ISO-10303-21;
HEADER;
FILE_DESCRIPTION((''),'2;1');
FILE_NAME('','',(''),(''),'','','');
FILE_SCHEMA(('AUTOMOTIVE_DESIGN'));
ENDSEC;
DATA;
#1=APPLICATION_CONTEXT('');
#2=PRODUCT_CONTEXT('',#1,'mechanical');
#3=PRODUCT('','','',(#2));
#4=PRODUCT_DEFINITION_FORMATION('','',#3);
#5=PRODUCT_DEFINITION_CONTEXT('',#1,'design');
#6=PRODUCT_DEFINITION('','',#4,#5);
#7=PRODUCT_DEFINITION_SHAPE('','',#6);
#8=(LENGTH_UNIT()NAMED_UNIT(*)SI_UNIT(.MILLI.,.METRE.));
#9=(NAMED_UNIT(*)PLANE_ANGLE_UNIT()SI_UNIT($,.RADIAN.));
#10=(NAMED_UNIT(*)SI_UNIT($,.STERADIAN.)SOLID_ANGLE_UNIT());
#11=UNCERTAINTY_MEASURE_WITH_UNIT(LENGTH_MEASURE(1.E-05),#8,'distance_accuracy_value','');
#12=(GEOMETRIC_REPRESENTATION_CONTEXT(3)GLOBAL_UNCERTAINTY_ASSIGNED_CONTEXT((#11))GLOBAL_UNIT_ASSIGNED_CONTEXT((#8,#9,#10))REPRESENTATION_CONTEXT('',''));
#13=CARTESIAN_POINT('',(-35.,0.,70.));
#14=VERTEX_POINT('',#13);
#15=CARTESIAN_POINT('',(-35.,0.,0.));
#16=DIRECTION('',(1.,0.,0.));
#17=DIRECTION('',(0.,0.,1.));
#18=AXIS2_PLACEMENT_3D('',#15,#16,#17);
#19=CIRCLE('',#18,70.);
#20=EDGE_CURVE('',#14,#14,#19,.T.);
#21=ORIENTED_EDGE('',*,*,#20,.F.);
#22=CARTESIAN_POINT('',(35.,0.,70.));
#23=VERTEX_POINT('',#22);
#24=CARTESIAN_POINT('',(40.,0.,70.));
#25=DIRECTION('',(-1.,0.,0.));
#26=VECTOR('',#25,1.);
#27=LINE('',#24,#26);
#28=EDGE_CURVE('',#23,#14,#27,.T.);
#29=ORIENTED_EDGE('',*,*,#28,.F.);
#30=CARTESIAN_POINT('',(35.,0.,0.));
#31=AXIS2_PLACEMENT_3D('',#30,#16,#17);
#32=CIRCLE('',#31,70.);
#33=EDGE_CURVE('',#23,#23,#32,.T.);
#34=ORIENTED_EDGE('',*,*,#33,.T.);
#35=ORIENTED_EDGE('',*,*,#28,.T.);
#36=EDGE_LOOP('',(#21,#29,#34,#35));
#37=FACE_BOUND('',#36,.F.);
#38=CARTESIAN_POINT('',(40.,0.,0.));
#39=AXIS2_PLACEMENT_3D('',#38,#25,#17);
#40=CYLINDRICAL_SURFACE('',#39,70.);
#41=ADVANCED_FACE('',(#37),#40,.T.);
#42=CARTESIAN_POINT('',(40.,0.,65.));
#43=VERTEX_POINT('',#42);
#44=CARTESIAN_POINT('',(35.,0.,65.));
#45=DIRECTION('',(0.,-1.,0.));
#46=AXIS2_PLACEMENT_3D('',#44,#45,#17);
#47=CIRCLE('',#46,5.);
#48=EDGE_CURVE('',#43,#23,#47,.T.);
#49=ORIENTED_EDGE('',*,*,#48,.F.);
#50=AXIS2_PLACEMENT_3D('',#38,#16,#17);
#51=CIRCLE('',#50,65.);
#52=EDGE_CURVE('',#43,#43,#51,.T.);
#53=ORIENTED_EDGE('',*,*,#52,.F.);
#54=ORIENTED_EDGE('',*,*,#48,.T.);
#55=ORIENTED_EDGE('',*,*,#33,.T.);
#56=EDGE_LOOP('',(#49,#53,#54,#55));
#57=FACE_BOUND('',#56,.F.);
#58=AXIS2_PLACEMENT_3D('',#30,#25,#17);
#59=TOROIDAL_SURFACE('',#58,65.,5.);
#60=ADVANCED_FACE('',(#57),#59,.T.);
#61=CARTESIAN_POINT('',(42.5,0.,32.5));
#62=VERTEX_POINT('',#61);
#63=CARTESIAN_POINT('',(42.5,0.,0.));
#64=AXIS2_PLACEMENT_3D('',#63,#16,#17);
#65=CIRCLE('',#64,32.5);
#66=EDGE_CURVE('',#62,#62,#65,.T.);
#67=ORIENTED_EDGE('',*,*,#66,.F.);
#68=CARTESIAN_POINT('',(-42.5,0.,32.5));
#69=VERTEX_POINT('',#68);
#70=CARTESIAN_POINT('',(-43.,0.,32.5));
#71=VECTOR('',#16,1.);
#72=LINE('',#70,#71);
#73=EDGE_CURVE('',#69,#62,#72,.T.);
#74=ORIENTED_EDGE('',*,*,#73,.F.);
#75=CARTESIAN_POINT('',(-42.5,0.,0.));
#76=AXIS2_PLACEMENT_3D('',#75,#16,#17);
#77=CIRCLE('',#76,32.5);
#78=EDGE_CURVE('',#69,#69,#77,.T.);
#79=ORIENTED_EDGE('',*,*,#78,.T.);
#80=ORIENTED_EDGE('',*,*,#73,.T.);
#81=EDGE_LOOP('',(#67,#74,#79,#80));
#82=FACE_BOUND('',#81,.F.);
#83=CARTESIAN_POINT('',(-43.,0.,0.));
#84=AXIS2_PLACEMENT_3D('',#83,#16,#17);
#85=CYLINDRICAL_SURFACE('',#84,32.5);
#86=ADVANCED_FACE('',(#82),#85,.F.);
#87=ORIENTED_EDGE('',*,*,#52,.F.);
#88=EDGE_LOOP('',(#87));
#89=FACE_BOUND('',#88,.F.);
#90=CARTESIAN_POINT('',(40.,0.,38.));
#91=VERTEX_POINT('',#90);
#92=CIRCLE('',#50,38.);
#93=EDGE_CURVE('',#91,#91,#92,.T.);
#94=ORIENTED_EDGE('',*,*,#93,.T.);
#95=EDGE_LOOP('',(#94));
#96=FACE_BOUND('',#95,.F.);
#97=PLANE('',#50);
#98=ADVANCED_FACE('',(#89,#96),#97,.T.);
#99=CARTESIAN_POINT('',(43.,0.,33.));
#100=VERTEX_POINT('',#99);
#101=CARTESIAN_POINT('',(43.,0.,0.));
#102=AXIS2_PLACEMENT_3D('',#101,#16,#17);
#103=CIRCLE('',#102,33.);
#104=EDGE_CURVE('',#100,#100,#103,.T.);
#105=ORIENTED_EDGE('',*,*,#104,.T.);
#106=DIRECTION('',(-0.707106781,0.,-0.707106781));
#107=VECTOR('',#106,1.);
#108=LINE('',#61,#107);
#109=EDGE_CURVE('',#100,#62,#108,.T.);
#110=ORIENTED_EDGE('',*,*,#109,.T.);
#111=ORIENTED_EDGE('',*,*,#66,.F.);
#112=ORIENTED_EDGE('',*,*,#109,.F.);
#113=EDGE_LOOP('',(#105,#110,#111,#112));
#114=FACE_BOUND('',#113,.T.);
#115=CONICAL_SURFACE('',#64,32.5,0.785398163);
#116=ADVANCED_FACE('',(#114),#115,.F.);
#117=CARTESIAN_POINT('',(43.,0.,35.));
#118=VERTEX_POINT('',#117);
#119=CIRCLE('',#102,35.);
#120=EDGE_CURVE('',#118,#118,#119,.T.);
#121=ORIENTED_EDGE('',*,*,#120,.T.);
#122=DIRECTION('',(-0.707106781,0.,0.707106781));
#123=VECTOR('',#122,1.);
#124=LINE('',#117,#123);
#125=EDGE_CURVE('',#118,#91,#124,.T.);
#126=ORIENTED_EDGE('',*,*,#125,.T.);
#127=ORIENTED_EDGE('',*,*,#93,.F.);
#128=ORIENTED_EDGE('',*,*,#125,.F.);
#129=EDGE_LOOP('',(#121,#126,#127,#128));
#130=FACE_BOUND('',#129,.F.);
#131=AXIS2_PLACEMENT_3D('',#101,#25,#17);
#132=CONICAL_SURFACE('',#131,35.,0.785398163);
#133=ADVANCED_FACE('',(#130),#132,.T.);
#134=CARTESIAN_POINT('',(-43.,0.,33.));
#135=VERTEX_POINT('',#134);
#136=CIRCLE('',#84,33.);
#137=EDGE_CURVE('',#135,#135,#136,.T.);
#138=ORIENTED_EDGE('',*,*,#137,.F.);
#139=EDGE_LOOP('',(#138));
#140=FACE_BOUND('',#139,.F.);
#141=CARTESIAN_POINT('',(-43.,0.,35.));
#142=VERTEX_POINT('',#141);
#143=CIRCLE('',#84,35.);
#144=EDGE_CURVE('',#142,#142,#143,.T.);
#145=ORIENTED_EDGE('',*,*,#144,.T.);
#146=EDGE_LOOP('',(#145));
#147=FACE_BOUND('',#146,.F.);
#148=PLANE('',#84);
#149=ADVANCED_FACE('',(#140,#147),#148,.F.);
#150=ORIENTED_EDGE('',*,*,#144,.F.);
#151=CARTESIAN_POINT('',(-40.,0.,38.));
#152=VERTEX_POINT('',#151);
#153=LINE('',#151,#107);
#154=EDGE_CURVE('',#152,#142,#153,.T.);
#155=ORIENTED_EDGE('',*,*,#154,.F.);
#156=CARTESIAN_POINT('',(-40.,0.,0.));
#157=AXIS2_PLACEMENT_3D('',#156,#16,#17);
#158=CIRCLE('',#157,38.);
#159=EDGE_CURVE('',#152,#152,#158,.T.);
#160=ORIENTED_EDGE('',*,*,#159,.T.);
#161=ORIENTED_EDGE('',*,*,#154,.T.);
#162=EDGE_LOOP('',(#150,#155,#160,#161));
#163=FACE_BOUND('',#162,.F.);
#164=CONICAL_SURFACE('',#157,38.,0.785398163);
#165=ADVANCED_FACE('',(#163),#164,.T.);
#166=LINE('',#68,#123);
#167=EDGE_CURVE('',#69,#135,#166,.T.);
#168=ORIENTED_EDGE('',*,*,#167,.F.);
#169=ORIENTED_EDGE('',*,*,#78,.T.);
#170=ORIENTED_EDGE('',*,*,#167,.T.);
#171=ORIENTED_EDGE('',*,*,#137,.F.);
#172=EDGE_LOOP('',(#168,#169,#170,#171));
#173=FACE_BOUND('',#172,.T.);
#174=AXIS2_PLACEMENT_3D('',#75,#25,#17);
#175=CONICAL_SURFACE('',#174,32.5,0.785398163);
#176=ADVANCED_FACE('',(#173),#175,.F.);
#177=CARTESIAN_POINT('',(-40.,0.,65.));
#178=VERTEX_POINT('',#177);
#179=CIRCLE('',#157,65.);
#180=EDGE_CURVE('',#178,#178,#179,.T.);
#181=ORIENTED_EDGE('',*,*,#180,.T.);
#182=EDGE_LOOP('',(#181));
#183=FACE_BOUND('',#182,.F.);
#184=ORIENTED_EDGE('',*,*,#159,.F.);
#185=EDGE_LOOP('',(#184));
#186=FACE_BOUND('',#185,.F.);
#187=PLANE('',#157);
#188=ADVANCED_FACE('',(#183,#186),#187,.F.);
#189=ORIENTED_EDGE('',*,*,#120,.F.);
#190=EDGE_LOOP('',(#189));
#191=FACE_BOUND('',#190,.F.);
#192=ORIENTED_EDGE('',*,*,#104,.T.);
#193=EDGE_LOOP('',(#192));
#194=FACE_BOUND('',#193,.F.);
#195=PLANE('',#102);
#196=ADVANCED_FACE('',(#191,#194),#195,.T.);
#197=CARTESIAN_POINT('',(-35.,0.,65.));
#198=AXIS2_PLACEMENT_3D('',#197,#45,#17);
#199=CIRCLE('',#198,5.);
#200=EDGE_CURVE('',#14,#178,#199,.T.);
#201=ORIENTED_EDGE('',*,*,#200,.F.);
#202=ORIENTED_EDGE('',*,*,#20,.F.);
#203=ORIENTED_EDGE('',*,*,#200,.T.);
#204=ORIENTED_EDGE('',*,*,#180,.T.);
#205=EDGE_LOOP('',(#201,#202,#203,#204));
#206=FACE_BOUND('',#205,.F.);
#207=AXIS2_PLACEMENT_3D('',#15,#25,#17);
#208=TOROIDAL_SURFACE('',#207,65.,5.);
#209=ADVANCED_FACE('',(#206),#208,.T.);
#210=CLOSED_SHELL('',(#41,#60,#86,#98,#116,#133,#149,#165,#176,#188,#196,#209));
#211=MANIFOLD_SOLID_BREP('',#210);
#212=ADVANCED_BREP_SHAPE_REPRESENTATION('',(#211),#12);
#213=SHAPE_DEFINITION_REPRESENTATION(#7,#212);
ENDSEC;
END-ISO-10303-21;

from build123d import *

# Parameters (mm, degrees)
F2_R    = 5
F3_SIZE = 0.5


with BuildPart() as f1:
    # F0 (on Front) → F1 (revolve)
    with BuildSketch(Plane.XZ):
        Polygon((-43, 35), (-43, 32.5), (43, 32.5), (43, 35), (40, 38), (40, 70), (-40, 70), (-40, 38), align=None)
    revolve(axis=Axis((10.727409, 0, 0), (1, 0, 0)))

    # F2
    f2_edges = [f1.edges().sort_by_distance(p)[0] for p in [
        (-40, 0, -70),
        (40, 0, -70),
    ]]
    fillet(f2_edges, radius=F2_R)

    # F3
    f3_edges = [f1.edges().sort_by_distance(p)[0] for p in [
        (-43, 0, -32.5),
        (43, 0, -32.5),
        (0, 0, 32.5),
    ]]
    chamfer(f3_edges, length=F3_SIZE)


solid = f1.part
